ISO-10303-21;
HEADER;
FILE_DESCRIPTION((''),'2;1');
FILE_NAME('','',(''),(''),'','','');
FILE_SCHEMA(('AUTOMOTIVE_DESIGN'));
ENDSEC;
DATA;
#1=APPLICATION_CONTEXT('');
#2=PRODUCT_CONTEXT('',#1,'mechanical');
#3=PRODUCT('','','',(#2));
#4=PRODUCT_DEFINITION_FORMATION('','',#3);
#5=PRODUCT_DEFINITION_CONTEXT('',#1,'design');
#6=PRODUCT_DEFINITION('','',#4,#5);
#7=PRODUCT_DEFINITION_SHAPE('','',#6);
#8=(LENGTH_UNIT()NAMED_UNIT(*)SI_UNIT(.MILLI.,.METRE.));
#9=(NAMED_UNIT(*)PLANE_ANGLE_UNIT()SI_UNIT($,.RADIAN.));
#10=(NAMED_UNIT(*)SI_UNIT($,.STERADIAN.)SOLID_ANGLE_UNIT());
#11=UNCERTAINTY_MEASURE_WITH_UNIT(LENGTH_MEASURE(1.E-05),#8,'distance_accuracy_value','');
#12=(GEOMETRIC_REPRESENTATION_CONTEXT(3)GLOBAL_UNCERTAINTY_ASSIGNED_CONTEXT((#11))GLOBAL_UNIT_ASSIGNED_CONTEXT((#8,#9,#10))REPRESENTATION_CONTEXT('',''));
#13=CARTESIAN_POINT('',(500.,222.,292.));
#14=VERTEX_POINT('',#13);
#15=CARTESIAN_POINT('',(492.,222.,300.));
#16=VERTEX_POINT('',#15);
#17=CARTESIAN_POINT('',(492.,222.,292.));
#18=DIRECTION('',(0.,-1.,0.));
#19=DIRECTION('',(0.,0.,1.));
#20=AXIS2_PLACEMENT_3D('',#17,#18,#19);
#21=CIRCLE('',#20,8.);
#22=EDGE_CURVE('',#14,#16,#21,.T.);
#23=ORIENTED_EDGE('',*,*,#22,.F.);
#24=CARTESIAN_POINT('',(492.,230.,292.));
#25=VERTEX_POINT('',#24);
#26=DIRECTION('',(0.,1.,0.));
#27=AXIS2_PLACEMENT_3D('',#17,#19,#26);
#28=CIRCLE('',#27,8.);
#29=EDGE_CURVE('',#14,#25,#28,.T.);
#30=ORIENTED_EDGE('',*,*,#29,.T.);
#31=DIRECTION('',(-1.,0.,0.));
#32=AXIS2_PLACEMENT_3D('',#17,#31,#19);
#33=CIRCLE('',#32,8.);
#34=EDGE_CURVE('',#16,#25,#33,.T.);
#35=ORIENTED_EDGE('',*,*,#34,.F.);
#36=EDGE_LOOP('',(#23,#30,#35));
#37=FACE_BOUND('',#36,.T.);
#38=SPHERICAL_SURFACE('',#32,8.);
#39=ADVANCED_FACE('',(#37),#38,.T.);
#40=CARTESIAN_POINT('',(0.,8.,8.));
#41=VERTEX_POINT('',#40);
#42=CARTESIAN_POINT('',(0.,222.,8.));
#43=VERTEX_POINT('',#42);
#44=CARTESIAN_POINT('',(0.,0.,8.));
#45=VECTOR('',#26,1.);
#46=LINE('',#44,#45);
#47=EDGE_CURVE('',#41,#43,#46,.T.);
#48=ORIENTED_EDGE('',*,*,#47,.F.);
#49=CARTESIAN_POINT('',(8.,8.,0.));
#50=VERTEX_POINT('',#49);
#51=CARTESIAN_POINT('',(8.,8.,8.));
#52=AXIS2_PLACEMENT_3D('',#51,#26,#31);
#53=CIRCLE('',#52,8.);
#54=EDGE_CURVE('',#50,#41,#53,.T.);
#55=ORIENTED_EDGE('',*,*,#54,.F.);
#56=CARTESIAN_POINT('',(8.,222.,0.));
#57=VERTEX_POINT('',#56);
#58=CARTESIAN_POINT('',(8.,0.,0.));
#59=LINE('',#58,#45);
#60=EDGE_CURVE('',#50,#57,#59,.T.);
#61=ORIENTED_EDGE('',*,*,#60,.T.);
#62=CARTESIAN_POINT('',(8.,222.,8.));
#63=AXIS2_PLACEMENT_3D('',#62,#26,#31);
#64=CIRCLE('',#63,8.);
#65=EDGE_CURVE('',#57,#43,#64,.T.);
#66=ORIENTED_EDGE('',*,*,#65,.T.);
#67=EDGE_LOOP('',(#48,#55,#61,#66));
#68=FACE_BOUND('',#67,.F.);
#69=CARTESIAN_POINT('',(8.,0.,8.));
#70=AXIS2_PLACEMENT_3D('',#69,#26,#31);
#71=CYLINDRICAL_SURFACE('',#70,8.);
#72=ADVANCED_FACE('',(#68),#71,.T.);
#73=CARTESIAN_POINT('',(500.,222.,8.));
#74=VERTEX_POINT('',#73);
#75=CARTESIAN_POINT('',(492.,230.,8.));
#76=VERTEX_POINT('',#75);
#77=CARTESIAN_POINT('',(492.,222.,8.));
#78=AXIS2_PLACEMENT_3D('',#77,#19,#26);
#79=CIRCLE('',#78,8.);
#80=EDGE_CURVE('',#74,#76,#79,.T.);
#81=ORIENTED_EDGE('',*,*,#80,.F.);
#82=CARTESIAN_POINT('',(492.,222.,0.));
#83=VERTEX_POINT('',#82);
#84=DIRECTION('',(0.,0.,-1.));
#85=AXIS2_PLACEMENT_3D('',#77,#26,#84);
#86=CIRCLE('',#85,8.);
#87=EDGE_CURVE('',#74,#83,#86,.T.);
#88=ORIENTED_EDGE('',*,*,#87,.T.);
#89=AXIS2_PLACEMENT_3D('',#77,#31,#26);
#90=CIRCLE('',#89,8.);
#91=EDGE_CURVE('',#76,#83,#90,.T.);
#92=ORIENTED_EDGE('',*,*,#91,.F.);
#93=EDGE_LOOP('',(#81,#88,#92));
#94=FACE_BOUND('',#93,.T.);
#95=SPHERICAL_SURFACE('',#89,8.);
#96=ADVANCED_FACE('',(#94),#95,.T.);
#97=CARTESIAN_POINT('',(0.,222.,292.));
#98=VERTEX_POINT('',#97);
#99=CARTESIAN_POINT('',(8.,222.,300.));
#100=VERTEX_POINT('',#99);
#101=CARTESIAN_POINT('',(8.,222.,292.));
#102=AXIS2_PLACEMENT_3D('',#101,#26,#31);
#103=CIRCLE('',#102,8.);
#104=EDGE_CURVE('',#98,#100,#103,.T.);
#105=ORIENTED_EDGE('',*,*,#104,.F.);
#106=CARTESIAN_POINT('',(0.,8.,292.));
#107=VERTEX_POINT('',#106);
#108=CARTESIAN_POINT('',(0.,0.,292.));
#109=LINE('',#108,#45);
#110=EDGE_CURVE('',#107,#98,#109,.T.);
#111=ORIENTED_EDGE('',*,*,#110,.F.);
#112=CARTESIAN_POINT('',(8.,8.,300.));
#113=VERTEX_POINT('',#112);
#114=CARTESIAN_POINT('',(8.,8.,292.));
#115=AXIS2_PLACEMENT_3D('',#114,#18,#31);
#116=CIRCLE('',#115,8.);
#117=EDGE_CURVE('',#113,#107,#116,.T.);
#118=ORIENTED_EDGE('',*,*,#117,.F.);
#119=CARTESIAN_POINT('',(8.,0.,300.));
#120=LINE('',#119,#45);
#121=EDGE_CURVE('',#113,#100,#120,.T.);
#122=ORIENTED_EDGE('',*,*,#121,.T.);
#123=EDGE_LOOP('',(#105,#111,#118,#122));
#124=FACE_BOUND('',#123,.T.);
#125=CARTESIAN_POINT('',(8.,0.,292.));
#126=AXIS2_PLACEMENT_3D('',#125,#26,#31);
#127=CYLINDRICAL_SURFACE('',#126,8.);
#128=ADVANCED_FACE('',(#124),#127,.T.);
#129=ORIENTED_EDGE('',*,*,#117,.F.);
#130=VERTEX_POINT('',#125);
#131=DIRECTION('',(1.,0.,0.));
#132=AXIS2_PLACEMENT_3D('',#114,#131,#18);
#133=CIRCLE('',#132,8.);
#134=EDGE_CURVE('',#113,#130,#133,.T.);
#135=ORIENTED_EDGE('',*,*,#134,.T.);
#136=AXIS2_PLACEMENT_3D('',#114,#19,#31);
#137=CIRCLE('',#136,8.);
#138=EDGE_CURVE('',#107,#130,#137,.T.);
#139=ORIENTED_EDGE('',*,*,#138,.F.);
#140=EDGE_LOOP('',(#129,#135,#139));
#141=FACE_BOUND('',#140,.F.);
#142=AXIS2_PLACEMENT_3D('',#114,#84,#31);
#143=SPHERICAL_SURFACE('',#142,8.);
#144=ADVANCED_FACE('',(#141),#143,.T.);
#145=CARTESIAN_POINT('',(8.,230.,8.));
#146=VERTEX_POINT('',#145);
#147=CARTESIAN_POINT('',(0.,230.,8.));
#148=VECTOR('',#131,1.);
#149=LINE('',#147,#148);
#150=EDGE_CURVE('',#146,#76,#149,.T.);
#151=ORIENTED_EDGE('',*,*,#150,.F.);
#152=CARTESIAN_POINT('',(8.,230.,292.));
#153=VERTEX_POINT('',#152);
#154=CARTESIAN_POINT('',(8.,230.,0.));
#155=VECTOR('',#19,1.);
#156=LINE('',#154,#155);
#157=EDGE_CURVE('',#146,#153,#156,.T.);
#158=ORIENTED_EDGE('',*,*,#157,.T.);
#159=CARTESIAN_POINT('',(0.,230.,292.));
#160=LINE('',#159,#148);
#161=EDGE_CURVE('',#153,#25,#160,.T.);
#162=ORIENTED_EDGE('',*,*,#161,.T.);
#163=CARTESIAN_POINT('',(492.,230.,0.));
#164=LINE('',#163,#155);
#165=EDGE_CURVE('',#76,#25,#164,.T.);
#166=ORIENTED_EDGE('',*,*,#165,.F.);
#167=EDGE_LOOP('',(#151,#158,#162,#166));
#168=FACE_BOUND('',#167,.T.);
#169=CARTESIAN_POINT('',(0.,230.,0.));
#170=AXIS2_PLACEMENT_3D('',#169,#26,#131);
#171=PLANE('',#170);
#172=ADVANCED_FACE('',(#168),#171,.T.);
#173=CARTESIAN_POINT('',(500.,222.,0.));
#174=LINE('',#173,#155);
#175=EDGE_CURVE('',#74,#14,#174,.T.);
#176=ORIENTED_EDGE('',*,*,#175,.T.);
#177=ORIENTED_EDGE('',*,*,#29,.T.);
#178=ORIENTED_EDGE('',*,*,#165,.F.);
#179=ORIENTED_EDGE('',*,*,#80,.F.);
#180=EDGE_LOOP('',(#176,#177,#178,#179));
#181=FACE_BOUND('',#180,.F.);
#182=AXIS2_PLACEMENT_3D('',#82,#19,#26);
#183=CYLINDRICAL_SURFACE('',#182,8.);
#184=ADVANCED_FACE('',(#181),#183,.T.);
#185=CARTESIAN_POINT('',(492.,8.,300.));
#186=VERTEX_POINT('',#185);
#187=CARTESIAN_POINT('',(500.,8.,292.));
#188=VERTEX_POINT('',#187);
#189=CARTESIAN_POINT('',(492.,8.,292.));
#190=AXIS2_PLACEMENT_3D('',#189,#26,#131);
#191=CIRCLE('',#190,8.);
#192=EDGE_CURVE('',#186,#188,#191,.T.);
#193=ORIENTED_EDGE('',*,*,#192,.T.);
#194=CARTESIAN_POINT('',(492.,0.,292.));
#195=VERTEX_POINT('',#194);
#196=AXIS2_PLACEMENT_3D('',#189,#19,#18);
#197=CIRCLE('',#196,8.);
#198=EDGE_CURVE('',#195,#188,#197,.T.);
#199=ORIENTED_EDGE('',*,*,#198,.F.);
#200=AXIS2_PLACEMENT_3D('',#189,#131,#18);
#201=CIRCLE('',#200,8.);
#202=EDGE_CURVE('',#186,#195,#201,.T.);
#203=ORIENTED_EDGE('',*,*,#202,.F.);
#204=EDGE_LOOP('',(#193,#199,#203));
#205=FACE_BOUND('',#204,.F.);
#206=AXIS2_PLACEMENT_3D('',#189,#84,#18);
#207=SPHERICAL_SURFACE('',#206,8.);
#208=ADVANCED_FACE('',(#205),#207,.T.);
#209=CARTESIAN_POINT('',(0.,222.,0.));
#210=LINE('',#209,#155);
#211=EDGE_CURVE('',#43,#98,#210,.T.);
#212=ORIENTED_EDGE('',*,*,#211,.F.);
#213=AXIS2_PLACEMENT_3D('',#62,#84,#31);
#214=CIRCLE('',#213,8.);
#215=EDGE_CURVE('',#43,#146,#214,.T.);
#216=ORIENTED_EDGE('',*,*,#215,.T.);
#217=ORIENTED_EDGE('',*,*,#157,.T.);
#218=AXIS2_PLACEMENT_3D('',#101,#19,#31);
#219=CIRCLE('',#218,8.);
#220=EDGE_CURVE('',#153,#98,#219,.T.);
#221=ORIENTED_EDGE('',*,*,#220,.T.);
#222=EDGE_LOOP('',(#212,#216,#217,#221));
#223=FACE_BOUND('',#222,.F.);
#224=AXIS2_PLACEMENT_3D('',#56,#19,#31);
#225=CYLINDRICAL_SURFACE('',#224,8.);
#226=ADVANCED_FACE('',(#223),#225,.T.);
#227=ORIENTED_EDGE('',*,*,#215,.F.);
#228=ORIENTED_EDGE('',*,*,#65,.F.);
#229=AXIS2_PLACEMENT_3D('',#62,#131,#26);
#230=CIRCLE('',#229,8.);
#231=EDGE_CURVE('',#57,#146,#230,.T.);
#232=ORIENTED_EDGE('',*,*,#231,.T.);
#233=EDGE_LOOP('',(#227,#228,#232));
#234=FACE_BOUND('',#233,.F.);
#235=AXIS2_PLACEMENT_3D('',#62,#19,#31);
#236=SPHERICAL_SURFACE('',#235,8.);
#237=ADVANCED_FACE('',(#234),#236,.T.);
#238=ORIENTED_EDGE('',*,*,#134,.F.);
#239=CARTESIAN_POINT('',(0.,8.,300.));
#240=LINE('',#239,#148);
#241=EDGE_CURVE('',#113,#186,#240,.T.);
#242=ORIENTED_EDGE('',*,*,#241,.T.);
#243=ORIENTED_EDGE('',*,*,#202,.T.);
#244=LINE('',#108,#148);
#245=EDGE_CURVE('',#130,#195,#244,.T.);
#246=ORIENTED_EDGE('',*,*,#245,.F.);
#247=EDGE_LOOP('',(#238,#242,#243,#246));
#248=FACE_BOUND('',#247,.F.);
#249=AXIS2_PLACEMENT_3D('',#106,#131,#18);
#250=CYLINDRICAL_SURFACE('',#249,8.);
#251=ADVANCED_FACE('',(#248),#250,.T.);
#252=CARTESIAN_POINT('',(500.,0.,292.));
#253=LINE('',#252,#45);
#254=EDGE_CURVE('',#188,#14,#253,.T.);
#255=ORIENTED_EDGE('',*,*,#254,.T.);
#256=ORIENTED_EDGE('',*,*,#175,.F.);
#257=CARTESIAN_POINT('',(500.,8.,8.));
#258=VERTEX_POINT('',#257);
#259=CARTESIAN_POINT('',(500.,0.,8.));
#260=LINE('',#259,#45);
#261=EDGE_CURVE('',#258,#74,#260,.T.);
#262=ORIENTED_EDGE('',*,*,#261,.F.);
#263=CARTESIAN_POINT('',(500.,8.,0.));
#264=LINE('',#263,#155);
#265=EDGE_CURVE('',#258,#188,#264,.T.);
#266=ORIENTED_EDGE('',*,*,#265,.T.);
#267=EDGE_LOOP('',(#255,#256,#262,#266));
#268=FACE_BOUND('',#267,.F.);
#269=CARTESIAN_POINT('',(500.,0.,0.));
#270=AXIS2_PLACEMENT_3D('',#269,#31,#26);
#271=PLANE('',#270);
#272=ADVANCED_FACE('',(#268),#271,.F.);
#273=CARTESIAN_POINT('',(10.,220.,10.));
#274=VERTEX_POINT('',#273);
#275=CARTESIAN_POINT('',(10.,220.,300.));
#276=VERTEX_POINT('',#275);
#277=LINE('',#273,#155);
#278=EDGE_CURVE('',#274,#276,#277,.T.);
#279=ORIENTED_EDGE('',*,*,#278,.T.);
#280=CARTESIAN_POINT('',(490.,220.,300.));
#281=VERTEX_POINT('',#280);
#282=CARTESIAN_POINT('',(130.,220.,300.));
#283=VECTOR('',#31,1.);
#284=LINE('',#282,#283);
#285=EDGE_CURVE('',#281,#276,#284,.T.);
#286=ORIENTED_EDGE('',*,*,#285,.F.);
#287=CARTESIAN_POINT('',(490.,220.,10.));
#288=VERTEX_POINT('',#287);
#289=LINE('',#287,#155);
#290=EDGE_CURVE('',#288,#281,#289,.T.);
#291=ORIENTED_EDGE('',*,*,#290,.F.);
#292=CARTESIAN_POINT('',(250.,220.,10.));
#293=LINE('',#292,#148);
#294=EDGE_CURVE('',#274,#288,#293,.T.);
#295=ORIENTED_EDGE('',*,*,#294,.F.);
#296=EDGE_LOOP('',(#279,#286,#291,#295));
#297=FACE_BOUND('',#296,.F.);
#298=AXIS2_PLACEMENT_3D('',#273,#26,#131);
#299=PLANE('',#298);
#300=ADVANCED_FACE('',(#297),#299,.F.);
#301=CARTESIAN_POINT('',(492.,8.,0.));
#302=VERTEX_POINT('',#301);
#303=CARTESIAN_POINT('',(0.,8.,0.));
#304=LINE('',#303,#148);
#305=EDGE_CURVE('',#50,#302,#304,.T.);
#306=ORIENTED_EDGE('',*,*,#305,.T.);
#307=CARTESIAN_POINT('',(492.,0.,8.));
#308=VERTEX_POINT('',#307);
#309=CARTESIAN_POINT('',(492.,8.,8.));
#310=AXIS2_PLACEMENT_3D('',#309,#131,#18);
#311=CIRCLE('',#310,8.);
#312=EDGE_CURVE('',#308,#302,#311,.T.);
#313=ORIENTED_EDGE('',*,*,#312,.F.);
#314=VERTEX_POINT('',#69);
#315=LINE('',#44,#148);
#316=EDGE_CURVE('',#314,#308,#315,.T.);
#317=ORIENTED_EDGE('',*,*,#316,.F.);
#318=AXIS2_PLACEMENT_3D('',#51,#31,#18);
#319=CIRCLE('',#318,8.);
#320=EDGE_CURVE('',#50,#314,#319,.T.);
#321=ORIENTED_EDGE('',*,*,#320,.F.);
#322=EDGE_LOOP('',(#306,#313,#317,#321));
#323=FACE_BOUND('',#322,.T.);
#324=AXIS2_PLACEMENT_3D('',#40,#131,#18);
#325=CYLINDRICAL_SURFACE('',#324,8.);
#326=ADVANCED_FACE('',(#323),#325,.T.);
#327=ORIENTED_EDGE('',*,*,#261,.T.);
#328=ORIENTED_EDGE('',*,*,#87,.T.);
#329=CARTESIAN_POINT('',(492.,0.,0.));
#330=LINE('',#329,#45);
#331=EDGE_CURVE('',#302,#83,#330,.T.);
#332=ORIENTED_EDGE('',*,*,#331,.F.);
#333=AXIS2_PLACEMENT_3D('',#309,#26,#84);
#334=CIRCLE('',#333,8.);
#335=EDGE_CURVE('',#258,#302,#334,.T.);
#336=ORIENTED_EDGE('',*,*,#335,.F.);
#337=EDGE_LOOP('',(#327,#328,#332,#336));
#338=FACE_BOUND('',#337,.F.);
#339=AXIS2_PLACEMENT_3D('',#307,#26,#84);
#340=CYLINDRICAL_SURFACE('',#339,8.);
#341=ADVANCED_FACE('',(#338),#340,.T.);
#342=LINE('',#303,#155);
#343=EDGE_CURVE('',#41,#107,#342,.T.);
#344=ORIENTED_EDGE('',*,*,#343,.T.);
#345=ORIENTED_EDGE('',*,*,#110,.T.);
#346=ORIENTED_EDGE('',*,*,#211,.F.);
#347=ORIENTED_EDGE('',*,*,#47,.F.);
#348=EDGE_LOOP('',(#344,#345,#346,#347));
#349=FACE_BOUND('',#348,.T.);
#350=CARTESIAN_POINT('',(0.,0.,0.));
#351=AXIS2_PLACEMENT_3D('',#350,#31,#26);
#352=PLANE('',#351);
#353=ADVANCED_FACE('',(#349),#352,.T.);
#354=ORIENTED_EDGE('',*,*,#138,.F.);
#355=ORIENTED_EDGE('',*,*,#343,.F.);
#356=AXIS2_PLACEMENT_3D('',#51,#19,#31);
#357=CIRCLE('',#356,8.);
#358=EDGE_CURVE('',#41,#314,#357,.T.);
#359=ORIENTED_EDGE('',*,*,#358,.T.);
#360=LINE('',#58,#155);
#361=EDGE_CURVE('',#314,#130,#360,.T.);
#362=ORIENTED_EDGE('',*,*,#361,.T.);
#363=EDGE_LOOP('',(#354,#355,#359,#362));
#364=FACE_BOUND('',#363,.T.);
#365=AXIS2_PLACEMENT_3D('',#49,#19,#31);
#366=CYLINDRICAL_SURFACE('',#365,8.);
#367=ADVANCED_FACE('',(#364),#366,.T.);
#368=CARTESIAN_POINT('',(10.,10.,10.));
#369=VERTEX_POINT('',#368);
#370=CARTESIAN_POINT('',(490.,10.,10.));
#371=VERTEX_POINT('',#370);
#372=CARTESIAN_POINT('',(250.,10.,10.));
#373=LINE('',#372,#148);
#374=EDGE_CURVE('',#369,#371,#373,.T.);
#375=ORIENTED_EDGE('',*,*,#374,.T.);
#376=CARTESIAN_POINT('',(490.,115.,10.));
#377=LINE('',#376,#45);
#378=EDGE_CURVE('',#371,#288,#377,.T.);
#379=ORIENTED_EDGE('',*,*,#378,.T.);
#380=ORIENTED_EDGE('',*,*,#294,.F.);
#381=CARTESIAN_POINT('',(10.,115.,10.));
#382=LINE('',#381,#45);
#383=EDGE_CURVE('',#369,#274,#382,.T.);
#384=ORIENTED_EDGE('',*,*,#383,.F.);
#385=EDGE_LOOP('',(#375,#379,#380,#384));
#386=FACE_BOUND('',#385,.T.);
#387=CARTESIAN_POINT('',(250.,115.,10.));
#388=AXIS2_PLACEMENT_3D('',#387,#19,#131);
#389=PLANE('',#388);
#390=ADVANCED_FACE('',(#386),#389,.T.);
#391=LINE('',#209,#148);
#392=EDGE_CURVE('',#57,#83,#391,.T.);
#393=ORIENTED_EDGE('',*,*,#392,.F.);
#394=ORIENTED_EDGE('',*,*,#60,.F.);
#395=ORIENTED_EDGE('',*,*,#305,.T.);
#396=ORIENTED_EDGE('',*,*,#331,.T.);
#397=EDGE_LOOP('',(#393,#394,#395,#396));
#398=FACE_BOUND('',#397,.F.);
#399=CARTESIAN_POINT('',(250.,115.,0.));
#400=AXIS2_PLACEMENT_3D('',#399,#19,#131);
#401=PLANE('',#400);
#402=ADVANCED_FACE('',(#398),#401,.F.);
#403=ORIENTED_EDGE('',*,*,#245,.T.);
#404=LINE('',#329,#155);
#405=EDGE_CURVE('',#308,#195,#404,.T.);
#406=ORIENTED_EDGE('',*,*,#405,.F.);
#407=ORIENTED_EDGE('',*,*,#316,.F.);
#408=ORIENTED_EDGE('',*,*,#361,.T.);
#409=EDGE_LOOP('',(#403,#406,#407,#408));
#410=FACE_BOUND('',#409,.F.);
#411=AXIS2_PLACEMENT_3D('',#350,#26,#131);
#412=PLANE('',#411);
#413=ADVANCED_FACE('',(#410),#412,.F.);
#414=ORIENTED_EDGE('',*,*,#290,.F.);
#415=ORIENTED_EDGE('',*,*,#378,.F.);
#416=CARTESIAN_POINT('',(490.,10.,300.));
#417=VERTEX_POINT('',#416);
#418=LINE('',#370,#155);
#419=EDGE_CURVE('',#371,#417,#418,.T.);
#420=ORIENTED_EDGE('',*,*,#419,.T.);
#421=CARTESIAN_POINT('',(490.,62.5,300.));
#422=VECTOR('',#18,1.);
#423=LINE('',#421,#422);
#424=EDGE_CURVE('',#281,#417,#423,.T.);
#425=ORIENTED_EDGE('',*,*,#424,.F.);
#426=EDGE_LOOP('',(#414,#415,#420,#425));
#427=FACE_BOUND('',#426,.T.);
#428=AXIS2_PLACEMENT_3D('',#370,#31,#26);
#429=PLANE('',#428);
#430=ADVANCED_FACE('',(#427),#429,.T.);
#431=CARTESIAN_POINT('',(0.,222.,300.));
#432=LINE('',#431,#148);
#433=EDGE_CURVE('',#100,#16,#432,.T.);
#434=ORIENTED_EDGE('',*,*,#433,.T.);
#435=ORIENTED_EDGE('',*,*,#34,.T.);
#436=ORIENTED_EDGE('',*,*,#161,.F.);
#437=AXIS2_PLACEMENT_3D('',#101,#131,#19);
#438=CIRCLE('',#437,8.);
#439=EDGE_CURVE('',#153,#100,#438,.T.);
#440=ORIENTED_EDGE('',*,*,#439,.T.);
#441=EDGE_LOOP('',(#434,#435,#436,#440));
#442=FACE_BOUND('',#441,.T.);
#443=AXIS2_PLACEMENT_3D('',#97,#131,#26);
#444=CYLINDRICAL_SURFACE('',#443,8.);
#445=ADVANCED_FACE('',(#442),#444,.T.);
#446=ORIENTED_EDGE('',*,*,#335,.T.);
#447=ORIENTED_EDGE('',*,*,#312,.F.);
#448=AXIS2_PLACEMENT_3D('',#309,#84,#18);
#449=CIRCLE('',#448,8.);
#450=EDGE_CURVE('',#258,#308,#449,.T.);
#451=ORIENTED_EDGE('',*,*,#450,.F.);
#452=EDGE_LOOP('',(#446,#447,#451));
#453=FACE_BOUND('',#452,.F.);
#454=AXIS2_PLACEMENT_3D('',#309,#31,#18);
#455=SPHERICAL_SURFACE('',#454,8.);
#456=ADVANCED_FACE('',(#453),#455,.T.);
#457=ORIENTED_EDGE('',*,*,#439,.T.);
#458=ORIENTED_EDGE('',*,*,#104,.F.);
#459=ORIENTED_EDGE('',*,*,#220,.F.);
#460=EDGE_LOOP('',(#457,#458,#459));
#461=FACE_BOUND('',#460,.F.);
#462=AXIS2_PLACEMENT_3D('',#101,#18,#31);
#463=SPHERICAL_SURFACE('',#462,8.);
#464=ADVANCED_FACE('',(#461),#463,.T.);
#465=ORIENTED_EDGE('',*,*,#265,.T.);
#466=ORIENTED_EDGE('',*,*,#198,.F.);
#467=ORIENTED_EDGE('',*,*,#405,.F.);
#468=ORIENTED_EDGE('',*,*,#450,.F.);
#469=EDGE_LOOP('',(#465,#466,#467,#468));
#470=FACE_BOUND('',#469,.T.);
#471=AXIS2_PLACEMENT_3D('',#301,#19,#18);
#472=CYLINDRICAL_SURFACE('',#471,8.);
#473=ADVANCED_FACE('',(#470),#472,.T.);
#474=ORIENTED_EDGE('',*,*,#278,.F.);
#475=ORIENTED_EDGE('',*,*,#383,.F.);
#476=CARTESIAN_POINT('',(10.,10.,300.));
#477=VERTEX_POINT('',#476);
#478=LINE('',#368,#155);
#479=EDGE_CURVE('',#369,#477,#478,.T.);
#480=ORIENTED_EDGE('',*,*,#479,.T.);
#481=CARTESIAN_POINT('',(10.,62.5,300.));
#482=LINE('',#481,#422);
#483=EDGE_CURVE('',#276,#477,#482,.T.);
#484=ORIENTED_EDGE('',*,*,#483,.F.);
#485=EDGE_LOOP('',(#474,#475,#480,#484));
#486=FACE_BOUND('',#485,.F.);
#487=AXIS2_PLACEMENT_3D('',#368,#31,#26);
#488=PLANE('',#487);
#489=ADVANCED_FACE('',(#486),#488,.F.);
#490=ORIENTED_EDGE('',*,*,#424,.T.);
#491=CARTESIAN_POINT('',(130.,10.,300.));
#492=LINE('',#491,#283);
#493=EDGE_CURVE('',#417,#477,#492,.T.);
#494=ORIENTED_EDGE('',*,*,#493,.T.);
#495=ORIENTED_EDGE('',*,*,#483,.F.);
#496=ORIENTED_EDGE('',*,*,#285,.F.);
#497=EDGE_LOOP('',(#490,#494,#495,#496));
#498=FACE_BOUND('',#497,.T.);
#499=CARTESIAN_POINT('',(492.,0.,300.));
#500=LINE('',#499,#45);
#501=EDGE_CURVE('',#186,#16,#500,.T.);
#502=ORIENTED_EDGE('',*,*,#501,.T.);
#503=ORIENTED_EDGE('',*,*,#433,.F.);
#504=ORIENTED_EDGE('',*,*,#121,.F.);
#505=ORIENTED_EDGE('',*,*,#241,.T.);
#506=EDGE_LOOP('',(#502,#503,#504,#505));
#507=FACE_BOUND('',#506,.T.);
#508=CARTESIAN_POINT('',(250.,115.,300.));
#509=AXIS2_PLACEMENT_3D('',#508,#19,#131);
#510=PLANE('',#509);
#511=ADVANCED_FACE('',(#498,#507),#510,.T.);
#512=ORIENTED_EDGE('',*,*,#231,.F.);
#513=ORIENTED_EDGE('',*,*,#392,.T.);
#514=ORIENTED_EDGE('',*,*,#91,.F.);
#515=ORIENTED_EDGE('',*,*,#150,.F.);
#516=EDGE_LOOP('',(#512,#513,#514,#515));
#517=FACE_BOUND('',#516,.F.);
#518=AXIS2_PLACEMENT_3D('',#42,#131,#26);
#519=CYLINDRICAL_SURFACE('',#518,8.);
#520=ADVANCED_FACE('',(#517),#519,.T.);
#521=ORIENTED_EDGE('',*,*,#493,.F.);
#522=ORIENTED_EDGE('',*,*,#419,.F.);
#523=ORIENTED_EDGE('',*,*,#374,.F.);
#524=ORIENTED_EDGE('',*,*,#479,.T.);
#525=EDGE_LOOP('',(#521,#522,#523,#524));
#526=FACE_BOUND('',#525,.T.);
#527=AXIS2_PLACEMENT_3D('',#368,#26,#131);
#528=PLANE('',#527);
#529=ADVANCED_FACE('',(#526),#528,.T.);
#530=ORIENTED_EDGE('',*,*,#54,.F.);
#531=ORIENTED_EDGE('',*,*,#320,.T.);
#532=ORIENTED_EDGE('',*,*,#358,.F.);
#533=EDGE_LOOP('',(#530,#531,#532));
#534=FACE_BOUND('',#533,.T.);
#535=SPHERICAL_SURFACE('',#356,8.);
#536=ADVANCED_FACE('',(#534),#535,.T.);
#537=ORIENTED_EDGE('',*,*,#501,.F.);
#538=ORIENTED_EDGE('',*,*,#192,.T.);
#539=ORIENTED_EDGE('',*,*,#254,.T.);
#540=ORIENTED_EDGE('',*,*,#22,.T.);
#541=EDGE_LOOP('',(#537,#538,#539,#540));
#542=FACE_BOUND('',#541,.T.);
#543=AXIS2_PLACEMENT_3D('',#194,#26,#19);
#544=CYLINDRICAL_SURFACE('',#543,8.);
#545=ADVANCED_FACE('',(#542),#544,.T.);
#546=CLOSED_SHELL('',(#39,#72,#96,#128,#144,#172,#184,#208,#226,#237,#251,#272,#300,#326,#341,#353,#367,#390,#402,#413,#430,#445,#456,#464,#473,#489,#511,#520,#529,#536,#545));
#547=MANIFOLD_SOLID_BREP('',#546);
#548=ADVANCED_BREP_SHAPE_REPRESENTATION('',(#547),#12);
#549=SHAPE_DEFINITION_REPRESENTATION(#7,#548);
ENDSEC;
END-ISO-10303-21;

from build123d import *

# Parameters (mm, degrees)
BOX001_W     = 480
BOX001_H     = 210
BOX001_DEPTH = 320
BOX_W        = 500
BOX_H        = 230
BOX_DEPTH    = 300
FILLET004_R  = 8


with BuildPart() as cube001:
    # Box001 → Box001 (new body)
    with BuildSketch(Plane(origin=(10, 10, 10), x_dir=(1, 0, 0), z_dir=(0, 0, 1))):
        with Locations((240, 105)):
            Rectangle(BOX001_W, BOX001_H)
    extrude(amount=BOX001_DEPTH)


with BuildPart() as solar_box:
    # Box → Box (new body)
    with BuildSketch(Plane.XY):
        with Locations((250, 115)):
            Rectangle(BOX_W, BOX_H)
    extrude(amount=BOX_DEPTH)

    # Cut: cut Cube001
    add(cube001.part, mode=Mode.SUBTRACT)

    # Fillet004
    fillet004_edges = [solar_box.edges().sort_by_distance(p)[0] for p in [
        (0, 0, 150),
        (0, 115, 300),
        (0, 230, 150),
        (0, 115, 0),
        (250, 0, 0),
        (500, 0, 150),
        (250, 0, 300),
        (250, 230, 300),
        (500, 115, 300),
        (250, 230, 0),
        (500, 230, 150),
        (500, 115, 0),
    ]]
    fillet(fillet004_edges, radius=FILLET004_R)


solid = solar_box.part
